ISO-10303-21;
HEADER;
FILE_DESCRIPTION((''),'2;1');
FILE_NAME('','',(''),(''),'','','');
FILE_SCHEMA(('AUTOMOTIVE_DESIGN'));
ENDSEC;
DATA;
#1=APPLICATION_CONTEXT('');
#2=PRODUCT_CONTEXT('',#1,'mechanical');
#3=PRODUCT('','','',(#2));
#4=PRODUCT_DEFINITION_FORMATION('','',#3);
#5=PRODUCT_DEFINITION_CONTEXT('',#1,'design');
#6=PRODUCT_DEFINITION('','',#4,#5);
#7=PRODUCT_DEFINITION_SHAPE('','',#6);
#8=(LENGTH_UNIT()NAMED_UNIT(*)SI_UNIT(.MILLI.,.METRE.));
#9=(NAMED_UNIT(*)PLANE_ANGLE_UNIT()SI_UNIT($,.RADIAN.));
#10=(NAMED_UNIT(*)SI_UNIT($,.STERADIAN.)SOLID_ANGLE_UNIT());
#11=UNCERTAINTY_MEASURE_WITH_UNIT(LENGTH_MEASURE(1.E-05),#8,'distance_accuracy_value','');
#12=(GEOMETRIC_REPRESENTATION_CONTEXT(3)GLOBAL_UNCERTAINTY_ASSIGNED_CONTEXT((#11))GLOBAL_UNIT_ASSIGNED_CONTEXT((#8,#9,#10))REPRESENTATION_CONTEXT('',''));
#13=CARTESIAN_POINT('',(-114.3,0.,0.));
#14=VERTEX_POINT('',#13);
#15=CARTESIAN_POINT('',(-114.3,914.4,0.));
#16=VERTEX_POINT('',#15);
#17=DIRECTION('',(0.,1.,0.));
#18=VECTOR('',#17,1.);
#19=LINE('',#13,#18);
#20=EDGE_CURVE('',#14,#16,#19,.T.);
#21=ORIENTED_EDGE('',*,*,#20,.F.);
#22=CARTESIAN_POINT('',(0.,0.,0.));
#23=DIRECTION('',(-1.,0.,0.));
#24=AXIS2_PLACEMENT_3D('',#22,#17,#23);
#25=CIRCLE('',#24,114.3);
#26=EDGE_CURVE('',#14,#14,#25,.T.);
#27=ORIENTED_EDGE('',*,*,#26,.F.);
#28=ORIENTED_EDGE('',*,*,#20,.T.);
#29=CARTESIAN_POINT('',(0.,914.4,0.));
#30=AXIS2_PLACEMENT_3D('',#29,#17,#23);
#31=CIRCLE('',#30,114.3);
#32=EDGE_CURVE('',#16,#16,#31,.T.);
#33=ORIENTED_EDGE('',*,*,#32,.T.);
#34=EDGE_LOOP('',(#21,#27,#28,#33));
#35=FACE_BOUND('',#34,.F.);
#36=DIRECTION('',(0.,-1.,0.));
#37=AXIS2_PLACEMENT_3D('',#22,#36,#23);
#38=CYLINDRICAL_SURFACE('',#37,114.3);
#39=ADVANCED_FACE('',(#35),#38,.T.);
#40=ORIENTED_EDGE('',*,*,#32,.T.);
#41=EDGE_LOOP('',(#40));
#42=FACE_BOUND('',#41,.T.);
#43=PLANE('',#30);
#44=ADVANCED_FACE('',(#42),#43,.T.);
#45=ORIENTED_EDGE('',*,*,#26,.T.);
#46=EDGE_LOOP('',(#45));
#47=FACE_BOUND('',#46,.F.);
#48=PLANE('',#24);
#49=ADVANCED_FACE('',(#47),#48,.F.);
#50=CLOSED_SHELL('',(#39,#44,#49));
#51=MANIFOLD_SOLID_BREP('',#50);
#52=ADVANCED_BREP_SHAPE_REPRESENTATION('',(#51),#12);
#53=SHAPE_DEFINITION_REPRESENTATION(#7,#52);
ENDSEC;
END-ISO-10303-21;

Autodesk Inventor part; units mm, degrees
ref_plane "YZ Plane" through (0, 0, 0) normal (1, 0, 0) x (0, 1, 0)
ref_plane "XZ Plane" through (0, 0, 0) normal (0, 1, 0) x (-1, 0, 0)
ref_plane "XY Plane" through (0, 0, 0) normal (0, 0, 1) x (1, 0, 0)
sketch "Sketch1" plane through (0, 0, 0) normal (0, 1, 0) x (-1, 0, 0)
  circle A0 centre (0, 0) radius 114.3
  dimension "d0" = 228.6
extrude "Extrusion1" add sketch "Sketch1" along normal blind 914.4
properties part number "Keg"
